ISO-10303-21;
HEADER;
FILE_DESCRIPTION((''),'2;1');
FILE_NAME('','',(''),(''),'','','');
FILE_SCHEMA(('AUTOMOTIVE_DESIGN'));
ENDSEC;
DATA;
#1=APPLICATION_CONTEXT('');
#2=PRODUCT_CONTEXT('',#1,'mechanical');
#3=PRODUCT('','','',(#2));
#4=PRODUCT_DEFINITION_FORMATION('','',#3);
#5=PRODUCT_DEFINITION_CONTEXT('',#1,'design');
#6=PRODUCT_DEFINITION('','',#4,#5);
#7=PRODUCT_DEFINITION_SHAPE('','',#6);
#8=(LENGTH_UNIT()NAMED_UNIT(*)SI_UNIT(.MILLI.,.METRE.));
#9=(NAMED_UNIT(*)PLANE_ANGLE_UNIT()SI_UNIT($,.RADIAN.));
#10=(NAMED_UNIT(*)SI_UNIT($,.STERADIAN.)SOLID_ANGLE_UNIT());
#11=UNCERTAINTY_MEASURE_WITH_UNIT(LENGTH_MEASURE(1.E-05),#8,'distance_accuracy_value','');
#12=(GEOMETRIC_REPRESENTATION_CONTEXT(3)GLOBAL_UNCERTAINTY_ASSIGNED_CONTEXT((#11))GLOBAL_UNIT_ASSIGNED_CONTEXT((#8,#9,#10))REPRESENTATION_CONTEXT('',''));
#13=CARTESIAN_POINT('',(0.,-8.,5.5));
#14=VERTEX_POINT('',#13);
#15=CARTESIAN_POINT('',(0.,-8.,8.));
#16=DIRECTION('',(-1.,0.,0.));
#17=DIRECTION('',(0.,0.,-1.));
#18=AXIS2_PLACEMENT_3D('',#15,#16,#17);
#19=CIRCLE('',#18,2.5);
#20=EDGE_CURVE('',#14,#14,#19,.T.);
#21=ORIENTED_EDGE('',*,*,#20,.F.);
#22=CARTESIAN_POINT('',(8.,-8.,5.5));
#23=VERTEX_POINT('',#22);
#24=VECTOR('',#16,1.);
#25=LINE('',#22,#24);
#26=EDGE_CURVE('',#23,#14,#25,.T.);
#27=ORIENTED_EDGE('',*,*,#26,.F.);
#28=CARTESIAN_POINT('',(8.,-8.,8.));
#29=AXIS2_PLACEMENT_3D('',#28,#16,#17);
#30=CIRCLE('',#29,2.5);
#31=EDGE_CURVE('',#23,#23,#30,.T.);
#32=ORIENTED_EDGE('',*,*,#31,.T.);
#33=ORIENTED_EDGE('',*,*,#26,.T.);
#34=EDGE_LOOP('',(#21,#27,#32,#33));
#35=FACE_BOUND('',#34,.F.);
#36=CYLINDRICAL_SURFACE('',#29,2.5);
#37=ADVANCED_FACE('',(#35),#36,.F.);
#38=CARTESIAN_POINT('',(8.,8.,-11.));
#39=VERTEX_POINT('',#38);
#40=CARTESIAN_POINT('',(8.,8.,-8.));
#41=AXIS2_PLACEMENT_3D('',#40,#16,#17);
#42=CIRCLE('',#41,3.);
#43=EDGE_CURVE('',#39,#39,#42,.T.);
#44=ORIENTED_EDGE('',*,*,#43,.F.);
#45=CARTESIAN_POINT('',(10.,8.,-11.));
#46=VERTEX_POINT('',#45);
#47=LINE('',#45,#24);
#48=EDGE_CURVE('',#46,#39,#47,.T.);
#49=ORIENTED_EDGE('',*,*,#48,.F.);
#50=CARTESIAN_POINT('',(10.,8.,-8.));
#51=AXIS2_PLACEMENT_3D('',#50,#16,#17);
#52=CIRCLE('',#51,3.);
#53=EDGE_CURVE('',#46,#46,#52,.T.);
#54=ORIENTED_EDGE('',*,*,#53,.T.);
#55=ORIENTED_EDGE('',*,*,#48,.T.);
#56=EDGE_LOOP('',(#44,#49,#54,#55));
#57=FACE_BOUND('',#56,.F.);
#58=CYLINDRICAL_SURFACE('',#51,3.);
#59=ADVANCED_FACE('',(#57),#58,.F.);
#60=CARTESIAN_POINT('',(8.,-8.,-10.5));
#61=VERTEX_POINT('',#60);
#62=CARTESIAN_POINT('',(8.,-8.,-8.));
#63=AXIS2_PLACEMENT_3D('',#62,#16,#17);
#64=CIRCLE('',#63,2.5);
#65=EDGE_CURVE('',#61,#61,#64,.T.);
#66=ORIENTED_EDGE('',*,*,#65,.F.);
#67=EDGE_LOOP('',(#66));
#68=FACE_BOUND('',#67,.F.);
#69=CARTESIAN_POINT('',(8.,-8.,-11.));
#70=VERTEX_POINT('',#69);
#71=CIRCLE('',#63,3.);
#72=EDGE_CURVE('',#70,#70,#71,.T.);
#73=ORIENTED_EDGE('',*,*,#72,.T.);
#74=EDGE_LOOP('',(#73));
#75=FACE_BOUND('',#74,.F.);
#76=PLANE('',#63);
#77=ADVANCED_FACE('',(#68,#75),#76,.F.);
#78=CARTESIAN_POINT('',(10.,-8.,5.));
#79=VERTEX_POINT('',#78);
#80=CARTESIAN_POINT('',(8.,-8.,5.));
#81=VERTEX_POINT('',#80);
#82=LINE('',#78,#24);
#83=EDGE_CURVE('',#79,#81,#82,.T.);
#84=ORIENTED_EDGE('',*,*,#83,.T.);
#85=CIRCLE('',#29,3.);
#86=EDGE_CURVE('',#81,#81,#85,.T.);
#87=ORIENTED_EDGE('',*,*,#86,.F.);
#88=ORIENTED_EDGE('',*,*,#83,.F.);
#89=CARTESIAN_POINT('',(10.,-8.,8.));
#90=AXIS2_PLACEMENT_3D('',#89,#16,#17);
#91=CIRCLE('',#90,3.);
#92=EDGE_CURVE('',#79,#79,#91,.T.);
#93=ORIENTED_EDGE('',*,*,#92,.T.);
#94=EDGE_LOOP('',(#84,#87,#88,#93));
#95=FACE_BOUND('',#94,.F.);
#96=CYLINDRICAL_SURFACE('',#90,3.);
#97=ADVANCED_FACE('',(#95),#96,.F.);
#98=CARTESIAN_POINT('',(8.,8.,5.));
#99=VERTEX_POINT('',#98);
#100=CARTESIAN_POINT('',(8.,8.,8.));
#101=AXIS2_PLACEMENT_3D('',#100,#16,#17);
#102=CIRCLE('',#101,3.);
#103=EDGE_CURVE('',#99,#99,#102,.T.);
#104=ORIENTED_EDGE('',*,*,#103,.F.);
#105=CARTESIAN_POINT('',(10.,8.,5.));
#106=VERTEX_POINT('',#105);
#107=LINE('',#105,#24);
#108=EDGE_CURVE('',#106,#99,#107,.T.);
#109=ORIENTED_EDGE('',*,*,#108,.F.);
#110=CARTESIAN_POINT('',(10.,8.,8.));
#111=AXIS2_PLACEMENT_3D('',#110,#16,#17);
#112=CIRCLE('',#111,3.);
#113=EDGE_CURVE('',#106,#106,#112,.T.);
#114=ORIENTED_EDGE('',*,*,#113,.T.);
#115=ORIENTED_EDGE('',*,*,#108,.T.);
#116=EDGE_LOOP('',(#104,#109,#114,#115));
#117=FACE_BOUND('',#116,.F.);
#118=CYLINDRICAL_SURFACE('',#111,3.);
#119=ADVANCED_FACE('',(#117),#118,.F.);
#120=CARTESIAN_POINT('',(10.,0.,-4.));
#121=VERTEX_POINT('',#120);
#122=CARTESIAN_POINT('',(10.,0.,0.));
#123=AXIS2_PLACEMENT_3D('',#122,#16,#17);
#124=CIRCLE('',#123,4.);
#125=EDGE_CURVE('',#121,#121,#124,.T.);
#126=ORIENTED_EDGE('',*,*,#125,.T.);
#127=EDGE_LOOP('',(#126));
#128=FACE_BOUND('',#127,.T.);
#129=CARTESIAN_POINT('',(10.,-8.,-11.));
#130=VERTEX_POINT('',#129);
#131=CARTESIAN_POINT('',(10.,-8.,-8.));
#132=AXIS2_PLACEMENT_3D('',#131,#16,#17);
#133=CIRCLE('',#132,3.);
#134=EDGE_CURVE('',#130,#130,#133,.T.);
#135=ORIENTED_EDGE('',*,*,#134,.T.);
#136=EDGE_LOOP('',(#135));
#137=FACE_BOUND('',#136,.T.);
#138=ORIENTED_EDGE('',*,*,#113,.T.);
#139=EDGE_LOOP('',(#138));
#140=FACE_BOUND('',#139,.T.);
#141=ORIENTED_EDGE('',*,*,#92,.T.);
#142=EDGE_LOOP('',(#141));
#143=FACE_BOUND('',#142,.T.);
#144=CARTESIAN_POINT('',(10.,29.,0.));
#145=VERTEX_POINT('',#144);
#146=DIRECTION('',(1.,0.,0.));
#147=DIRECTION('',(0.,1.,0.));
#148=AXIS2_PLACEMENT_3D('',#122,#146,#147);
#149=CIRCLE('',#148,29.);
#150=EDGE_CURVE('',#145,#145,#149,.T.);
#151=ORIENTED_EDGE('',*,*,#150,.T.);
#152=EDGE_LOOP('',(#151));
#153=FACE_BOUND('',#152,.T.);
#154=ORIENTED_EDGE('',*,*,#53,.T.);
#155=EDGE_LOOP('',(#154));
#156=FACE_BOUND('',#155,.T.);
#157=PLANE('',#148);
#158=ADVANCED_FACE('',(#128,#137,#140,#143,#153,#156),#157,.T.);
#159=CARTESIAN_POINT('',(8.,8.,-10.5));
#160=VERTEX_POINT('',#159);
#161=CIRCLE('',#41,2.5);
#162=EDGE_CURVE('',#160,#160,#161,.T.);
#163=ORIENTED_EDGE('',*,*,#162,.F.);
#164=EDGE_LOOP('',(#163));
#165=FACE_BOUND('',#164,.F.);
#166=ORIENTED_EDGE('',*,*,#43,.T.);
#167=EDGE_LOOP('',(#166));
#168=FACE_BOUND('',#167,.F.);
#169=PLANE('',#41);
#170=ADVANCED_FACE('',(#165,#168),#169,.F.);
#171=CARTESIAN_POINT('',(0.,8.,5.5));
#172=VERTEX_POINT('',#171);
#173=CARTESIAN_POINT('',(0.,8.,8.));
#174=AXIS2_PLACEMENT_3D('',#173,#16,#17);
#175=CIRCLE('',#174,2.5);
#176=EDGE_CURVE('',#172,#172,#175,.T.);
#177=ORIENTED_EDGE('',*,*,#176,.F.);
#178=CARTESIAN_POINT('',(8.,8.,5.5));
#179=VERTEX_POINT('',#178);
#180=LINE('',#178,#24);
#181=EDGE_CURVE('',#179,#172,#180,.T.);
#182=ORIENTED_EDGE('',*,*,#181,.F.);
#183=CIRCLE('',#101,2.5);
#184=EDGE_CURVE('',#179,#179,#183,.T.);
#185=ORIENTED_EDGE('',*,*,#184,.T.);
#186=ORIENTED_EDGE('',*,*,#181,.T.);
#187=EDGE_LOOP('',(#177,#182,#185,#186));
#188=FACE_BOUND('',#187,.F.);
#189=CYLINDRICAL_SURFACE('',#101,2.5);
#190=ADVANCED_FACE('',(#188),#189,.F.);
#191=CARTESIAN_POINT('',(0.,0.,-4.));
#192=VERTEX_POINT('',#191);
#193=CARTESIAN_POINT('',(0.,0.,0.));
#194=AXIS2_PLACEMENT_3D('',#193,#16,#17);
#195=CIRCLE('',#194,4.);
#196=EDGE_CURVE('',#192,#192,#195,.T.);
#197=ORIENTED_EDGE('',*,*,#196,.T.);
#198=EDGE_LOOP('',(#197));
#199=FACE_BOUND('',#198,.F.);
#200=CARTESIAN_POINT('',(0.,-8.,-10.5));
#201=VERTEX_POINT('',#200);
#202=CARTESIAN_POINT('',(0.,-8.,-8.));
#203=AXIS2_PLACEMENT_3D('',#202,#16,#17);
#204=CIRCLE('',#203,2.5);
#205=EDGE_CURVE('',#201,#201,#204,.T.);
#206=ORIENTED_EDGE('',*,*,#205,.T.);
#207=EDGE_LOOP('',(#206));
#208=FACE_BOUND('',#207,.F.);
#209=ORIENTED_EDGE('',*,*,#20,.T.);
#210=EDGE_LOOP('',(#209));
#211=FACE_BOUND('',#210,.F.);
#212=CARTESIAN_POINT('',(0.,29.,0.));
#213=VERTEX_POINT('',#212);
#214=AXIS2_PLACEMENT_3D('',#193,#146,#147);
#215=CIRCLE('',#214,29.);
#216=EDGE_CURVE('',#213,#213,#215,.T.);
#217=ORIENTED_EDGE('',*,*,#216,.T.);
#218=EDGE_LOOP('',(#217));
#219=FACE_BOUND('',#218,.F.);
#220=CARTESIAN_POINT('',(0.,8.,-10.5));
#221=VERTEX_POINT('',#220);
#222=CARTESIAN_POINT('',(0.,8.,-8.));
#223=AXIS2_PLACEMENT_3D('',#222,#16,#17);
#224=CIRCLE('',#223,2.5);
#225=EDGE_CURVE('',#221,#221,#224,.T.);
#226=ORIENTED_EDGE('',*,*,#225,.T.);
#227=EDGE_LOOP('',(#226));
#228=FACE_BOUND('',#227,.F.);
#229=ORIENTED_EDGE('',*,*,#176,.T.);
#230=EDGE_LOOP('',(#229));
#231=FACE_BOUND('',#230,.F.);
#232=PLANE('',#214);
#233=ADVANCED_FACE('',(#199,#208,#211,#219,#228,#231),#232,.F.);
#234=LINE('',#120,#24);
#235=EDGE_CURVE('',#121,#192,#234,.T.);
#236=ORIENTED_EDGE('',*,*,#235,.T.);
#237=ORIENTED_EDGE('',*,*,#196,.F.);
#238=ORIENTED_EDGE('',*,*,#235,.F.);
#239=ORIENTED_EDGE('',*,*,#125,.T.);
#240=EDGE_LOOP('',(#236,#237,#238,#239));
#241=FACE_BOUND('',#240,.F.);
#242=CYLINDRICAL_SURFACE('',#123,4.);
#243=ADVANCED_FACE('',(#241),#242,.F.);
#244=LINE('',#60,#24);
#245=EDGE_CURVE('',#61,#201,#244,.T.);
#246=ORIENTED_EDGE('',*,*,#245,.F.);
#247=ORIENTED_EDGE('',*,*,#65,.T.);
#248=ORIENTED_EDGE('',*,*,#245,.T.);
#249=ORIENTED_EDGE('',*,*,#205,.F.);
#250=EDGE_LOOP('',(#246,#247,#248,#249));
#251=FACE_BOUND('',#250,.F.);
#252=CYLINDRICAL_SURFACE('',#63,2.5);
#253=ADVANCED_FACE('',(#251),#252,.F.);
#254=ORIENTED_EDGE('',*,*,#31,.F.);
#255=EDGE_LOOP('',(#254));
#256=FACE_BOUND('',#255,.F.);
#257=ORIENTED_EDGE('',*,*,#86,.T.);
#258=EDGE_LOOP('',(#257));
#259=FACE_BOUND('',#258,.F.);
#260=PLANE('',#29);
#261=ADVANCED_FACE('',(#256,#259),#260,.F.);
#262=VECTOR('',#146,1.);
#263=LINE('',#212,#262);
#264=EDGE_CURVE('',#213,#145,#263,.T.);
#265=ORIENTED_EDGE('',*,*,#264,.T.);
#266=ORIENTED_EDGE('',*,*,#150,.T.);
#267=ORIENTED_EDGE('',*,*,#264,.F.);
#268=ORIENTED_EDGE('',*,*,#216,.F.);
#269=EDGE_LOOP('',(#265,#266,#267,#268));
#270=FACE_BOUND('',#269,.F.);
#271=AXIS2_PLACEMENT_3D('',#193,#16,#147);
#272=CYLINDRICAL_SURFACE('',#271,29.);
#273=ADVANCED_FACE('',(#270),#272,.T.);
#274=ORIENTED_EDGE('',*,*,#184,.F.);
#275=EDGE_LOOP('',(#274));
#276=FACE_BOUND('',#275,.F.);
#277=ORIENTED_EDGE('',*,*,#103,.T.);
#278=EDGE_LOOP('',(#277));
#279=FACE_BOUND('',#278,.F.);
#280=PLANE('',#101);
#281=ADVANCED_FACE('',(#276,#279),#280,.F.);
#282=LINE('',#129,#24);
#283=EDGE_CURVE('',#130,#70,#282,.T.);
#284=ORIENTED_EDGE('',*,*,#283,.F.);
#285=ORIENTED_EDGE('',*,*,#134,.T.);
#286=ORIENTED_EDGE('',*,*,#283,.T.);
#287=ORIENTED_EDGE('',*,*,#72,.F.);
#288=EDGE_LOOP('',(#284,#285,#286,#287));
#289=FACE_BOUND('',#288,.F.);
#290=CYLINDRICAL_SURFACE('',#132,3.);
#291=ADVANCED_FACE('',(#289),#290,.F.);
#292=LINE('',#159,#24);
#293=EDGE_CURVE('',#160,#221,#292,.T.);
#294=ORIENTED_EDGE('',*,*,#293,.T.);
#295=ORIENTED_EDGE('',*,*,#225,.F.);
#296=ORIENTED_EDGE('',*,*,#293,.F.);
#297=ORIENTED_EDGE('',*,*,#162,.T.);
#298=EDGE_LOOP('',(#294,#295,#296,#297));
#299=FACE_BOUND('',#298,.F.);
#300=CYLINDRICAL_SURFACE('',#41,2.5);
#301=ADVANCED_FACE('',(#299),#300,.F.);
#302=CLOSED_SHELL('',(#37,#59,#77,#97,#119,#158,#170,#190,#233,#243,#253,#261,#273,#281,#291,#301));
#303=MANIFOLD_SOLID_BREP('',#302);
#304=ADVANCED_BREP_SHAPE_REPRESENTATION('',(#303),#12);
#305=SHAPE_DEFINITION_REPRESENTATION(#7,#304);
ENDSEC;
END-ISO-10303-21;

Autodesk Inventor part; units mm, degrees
ref_plane "YZ Plane" through (0, 0, 0) normal (1, 0, 0) x (0, 1, 0)
ref_plane "XZ Plane" through (0, 0, 0) normal (0, 1, 0) x (-1, 0, 0)
ref_plane "XY Plane" through (0, 0, 0) normal (0, 0, 1) x (1, 0, 0)
sketch "Sketch1" plane through (0, 0, 0) normal (1, 0, 0) x (0, 1, 0)
  circle A0 centre (0, 0) radius 29
  circle A1 centre (0, 0) radius 29 projected
  dimension "d0" = 58
  dimension "d22" = 58
extrude "Extrusion1" add sketch "Sketch1" along normal blind 10
sketch "Sketch2" plane through (10, 0, 0) normal (1, 0, 0) x (0, 0, -1)
  point P0 (0, 0)
  point P1 (-8, 8)
  point P2 (8, 8)
  point P3 (8, -8)
  point P4 (-8, -8)
  dimension "d3" = 8
  dimension "d4" = 8
  dimension "d5" = 16
  dimension "d6" = 16
hole "Hole1" at (10, 8, 8) at (10, 8, -8) at (10, -8, -8) at (10, -8, 8) direction (-1, 0, 0) diameter 5 end through all counterbore diameter 6 counterbore depth 2
sketch "Sketch3" plane through (10, 0, 0) normal (1, 0, 0) x (0, 0, -1)
  point P0 (0, 0)
  point P1 (0, 0)
hole "Hole2" at (10, 0, 0) direction (-1, 0, 0) diameter 8 end through all
equation "\"d0\" = d22"
equation "\"d5\" = 2 * d3"
equation "\"d6\" = d5"
properties part number "Tapon 1_Cabeza"
